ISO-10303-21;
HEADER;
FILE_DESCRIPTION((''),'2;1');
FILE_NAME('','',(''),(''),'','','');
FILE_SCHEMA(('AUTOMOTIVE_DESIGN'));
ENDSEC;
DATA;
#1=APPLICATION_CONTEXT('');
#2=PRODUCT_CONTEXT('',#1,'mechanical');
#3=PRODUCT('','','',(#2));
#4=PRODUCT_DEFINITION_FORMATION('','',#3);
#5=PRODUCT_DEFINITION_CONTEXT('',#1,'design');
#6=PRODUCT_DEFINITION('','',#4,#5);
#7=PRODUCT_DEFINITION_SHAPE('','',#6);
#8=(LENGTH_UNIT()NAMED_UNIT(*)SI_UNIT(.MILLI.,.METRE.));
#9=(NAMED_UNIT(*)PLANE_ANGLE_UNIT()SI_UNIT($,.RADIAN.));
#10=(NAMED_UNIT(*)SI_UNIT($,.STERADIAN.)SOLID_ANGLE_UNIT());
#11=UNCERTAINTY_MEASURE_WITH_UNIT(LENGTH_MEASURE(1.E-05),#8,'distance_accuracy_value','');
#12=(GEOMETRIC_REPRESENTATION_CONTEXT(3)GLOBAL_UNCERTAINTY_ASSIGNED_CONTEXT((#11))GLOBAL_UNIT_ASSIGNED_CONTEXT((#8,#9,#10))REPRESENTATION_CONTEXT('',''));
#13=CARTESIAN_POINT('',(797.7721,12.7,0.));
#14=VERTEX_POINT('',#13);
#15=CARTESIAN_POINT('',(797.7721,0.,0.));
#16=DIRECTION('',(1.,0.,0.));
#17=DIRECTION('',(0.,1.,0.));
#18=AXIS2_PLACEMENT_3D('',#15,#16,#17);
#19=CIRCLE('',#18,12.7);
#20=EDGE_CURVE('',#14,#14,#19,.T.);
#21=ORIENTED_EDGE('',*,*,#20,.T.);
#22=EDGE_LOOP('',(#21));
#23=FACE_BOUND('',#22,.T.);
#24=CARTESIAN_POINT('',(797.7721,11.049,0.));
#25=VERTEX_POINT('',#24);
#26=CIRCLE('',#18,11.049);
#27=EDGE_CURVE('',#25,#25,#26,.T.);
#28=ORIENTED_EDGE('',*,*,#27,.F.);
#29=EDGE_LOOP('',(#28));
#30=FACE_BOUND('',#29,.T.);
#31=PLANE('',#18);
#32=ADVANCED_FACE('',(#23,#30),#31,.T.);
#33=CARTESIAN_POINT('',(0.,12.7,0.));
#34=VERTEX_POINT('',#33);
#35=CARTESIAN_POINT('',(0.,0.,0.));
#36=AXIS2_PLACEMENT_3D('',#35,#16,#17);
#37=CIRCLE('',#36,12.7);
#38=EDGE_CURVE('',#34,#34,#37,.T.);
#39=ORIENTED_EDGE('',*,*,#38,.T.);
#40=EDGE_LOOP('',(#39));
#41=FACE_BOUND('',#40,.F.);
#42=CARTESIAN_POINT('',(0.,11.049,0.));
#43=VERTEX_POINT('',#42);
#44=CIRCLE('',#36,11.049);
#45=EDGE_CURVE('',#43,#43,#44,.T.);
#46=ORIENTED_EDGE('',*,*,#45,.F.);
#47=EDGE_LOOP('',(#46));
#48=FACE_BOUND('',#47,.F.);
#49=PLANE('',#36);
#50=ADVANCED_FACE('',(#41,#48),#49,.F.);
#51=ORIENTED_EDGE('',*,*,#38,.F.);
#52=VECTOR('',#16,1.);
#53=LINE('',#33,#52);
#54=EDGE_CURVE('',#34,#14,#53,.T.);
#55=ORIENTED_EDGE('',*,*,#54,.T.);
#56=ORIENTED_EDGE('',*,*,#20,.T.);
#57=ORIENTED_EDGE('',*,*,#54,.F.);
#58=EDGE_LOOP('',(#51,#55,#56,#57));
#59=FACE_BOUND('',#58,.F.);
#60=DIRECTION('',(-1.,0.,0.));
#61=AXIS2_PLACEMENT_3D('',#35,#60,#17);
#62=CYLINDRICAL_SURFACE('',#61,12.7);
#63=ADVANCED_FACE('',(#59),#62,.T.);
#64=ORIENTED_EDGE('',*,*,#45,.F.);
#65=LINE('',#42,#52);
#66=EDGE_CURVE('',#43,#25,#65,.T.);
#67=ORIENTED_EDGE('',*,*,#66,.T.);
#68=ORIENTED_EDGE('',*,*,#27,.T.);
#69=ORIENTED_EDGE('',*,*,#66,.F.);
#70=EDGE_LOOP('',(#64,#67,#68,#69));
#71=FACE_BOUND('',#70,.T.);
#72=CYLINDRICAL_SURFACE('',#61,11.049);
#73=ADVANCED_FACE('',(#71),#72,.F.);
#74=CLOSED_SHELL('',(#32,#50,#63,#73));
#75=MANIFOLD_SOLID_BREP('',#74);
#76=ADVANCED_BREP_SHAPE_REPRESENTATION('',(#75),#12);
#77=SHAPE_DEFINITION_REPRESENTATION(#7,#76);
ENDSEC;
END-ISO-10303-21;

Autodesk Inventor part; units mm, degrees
ref_plane "XZ Plane" through (0, 0, 0) normal (0, 1, 0) x (-1, 0, 0)
ref_plane "Start Plane" through (0, 0, 0) normal (1, 0, 0) x (0, 1, 0)
ref_plane "End Plane" through (797.7721, 0, 0) normal (1, 0, 0) x (0, 1, 0)
sketch "Sketch" plane through (0, 0, 0) normal (1, 0, 0) x (0, 1, 0)
  circle A0 centre (0, 0) radius 12.7
  circle A1 centre (0, 0) radius 11.049
  dimension "d0" = 25.4
  dimension "d1" = 1.651
extrude "Body" add sketch "Sketch" along normal up to surface (797.7721 mm away) from surface at 0
sketch "Sketch2" plane through (0, 0, 0) normal (1, 0, 0) x (0, 1, 0)
  line L0 (0, 0) -> (10, 0)
ref_plane "Work Plane3" through (0, 0, 0) normal (0, 0, -1) x (0, 1, 0)
sketch "Sketch3" plane through (0, 0, 0) normal (0, 0, -1) x (0, 1, 0)
  line L0 (-2, 0) -> (12, 0)
  line L1 (-2, 797.7721) -> (12, 797.7721)
  dimension "d9" = 797.7721
equation "\"G_OFFSET_START\" = 0"
equation "\"G_OFFSET_END\" = 0"
equation "\"d5\" = d2 + G_OFFSET_END"
equation "\"G_L\" = d9"
equation "\"d2\" = 797.77206"
properties part number "4130_1x0.065" material "Steel, Alloy"
